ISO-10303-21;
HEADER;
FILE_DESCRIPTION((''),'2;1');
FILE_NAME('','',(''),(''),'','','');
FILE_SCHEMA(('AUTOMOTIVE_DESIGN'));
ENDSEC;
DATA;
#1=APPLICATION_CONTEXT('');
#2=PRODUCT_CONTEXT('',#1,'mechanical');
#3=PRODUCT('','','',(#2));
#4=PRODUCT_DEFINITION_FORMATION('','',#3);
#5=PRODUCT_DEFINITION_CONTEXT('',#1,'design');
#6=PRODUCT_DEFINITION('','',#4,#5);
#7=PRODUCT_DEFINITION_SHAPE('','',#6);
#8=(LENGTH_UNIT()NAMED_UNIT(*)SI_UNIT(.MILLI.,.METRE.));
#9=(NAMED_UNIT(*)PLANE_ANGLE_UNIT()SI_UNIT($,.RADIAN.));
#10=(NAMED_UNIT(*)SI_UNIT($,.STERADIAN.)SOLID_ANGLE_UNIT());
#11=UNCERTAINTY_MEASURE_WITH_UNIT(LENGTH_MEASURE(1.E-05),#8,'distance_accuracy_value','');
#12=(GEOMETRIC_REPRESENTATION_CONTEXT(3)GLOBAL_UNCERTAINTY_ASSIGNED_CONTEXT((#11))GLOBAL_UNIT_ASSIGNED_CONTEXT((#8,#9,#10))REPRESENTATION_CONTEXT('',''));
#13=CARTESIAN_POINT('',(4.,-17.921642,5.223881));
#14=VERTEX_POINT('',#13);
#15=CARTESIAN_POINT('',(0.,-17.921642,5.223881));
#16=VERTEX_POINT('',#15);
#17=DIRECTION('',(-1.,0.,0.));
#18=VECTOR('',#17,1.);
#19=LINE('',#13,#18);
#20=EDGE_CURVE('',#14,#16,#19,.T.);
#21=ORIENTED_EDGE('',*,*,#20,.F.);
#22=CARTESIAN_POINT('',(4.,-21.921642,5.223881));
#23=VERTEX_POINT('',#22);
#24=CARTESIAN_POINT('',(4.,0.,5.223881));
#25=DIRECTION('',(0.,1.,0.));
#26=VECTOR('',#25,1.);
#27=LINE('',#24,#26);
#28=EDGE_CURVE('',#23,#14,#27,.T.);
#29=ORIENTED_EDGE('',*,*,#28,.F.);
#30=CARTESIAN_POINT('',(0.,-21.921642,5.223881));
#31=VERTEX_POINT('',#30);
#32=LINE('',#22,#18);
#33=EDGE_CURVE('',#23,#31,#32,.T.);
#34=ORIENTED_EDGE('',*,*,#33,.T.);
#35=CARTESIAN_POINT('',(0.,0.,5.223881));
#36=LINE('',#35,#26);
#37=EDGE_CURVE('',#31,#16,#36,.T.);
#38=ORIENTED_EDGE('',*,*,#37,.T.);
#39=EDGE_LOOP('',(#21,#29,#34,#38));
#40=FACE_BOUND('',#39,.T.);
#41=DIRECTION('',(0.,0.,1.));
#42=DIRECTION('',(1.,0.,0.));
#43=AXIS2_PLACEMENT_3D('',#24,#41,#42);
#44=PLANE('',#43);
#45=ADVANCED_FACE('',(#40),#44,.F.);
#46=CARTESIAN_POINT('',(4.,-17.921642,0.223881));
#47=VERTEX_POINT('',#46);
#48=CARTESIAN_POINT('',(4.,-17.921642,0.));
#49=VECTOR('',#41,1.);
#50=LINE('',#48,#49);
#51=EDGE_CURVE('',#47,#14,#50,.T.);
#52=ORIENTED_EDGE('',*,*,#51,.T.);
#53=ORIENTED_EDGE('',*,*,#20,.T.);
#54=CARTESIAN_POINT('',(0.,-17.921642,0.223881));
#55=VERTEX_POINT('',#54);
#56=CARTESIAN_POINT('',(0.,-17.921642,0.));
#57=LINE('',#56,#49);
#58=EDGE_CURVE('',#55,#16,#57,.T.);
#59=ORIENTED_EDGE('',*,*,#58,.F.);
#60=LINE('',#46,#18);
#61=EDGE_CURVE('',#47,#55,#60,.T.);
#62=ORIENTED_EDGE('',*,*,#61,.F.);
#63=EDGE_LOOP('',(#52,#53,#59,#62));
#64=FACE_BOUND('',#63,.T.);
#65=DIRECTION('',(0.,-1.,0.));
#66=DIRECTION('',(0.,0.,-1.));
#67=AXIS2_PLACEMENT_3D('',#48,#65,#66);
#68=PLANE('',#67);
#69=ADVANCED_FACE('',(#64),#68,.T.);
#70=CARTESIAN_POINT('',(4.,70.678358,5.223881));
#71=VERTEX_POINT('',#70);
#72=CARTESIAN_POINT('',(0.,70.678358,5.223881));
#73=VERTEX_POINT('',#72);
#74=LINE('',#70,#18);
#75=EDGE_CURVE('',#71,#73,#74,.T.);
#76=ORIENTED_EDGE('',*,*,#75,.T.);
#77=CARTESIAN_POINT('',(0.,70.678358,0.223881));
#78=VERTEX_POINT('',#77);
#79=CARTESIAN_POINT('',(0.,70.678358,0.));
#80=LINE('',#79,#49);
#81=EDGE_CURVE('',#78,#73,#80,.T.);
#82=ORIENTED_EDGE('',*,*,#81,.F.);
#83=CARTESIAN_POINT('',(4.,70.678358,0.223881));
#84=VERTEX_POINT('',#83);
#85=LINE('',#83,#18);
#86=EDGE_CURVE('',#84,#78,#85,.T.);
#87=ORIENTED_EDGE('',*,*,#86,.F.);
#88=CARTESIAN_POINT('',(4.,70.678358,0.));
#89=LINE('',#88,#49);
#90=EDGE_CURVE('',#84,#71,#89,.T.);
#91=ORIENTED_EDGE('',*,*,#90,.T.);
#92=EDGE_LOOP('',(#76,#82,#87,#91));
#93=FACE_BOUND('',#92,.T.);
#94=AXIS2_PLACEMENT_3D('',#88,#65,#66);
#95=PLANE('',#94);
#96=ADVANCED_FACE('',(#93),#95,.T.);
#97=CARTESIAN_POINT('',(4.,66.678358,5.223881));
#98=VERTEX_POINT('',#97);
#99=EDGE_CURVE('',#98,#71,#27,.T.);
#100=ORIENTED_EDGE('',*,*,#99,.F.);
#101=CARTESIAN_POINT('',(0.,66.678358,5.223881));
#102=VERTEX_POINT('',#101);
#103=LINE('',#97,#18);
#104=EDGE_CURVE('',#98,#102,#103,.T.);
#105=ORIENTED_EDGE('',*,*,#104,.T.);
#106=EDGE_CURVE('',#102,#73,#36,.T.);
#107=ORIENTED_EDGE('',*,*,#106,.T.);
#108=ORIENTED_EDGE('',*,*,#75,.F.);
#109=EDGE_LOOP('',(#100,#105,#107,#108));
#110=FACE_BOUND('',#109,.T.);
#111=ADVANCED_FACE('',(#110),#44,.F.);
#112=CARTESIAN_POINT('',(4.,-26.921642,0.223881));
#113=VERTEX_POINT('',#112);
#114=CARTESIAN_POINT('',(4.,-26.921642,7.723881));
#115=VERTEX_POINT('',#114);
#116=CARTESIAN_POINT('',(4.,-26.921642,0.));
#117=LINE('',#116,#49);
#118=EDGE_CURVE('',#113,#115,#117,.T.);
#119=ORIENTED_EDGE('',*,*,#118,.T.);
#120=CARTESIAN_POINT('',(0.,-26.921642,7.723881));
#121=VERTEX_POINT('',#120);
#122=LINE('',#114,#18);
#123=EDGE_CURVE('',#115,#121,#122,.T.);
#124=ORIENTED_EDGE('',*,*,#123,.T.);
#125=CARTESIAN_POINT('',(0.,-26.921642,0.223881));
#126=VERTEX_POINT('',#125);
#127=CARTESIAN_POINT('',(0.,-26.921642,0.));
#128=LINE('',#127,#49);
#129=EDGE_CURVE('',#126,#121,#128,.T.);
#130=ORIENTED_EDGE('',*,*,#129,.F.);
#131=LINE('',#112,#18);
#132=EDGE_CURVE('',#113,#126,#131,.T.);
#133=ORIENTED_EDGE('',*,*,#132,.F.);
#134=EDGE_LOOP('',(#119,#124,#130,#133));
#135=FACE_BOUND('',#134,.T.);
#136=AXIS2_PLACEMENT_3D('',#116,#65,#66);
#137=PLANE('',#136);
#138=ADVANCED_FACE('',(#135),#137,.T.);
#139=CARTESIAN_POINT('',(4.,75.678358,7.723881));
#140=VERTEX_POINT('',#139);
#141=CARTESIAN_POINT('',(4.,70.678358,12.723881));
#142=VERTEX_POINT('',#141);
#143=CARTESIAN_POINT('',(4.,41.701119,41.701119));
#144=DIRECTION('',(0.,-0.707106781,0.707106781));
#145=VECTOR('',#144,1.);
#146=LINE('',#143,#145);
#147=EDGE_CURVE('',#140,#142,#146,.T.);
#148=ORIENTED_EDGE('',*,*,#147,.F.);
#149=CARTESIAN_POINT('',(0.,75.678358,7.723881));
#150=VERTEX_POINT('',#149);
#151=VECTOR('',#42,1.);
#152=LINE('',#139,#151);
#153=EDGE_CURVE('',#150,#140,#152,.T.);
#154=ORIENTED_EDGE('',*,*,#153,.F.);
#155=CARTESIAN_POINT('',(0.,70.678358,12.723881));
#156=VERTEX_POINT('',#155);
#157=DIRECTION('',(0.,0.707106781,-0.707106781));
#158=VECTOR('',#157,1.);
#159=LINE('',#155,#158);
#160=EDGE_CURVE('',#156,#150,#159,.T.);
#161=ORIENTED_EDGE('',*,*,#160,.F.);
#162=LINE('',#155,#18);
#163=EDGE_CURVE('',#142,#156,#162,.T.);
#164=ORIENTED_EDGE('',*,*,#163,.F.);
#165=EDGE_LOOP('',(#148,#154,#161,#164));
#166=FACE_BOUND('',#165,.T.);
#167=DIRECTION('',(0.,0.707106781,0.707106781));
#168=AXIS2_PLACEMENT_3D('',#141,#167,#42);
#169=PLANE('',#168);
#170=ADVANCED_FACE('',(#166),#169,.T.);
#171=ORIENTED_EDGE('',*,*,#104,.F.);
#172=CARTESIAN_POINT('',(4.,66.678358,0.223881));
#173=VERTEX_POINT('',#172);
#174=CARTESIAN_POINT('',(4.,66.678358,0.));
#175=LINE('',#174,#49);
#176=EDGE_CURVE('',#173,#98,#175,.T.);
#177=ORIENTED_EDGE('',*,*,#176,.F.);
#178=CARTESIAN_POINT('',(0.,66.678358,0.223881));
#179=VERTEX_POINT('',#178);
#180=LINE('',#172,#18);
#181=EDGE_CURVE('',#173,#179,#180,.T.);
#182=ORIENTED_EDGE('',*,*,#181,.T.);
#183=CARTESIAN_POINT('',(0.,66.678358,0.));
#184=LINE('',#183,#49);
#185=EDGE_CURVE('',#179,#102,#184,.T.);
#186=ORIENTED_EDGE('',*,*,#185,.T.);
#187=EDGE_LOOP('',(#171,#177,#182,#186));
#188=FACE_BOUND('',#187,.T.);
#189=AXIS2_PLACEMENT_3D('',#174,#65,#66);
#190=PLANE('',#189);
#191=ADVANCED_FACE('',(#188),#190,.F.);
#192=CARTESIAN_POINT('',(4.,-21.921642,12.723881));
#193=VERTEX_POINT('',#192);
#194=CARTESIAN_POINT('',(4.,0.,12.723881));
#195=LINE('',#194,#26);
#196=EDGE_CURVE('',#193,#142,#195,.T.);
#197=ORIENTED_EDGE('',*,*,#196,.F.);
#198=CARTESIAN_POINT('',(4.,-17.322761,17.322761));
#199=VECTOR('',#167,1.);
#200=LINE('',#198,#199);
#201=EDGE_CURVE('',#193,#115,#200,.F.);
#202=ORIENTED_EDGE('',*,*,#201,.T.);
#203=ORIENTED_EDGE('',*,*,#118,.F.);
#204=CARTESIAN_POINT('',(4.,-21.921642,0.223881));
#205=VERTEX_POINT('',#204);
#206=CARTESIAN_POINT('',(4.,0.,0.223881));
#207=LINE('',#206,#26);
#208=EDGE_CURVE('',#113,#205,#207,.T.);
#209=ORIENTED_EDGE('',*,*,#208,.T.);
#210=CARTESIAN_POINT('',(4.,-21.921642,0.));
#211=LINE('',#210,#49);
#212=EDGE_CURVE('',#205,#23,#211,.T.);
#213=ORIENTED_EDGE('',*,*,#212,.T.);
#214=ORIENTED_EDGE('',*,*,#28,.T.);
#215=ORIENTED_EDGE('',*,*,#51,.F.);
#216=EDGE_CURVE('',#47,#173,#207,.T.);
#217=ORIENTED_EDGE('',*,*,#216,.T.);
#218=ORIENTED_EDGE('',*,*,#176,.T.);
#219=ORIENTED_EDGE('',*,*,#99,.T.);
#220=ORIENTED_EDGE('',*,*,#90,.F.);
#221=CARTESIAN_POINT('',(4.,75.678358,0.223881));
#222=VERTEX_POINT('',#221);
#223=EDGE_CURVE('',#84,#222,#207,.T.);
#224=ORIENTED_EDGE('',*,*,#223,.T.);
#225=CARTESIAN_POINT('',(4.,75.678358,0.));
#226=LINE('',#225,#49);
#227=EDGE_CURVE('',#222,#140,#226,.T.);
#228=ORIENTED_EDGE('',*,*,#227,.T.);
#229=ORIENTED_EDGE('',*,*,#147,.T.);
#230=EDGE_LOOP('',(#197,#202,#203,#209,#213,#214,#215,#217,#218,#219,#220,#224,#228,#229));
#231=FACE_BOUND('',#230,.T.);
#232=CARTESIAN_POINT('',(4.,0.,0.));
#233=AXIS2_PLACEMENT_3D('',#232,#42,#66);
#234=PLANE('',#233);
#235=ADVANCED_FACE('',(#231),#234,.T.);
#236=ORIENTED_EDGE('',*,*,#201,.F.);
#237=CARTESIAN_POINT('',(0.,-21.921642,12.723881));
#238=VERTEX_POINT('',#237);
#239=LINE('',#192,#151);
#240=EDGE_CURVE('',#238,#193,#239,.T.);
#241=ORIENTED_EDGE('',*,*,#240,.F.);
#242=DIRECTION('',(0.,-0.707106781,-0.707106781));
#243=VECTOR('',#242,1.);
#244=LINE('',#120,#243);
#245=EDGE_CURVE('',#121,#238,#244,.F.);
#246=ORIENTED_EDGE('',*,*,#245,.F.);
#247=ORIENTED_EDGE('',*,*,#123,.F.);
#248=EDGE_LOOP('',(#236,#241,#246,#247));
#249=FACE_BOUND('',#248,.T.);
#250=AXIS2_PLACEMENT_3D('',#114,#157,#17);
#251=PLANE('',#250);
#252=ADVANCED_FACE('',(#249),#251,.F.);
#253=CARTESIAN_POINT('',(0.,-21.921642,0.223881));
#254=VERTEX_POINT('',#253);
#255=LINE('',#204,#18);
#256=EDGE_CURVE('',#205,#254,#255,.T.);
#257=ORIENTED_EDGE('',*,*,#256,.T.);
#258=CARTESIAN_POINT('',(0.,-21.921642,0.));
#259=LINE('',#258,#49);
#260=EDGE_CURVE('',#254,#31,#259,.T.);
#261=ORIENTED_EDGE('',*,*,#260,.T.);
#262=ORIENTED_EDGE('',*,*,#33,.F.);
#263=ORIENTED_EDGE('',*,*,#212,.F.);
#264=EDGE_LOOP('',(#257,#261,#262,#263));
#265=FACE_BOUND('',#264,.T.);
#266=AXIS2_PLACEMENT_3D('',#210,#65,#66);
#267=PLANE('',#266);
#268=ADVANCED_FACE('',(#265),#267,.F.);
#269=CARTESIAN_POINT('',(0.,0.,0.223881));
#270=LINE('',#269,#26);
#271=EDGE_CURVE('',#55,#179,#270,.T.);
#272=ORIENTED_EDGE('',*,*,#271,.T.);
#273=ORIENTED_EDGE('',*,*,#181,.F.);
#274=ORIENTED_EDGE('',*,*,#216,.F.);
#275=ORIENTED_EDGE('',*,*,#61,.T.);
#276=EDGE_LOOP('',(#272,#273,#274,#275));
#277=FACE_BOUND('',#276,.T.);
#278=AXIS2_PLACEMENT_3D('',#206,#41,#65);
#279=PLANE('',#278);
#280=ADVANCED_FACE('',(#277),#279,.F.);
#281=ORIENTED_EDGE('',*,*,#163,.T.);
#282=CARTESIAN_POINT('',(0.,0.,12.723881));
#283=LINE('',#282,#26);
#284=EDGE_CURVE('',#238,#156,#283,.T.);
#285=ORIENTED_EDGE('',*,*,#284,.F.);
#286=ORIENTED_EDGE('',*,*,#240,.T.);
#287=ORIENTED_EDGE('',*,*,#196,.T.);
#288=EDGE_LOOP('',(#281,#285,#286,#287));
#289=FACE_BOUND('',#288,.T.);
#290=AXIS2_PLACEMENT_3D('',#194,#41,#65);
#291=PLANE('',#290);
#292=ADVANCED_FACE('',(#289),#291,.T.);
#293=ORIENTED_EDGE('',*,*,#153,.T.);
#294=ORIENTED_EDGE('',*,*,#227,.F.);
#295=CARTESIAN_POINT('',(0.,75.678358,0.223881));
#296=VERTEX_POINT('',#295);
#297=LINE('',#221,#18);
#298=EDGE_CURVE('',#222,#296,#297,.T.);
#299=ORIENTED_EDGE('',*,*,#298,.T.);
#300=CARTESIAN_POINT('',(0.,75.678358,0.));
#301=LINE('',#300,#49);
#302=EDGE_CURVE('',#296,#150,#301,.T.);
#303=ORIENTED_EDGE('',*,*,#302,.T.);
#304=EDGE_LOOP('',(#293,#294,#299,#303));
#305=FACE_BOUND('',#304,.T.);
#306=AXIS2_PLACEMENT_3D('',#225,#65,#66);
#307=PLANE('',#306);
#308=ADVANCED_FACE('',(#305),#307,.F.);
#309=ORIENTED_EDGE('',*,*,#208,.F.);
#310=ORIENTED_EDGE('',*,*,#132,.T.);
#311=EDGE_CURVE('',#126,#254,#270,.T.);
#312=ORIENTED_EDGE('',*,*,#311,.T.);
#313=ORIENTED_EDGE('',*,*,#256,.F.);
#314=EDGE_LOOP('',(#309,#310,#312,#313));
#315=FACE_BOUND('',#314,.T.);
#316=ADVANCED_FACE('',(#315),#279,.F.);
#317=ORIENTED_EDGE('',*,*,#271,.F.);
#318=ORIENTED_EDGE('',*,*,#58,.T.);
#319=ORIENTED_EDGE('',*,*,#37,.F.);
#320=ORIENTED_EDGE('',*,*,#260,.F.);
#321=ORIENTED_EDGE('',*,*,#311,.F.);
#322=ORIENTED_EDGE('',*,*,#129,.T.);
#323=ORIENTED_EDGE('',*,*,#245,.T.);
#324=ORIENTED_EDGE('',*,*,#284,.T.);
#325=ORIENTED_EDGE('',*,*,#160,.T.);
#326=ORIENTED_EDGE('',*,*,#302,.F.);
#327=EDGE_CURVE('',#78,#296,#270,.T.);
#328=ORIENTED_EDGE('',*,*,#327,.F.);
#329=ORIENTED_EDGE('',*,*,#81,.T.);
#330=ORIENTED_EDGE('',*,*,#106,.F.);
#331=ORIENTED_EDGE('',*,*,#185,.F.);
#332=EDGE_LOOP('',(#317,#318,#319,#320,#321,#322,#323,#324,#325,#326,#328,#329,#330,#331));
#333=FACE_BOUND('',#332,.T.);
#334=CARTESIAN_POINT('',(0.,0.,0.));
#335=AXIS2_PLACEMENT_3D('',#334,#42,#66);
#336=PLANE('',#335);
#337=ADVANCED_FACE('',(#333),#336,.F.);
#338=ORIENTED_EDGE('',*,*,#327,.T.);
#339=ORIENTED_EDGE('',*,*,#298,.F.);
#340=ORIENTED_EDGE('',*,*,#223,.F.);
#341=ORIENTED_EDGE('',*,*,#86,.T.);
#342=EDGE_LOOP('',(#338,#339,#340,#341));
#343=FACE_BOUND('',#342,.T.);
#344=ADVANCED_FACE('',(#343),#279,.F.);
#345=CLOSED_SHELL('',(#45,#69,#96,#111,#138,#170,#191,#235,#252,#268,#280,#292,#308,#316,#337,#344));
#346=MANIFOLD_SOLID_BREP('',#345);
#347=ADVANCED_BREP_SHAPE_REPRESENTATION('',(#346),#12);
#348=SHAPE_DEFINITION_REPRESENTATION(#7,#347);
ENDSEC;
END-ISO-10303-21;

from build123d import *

# Parameters (mm, degrees)
SKETCH1_W           = 42.3
SKETCH1_H           = 5
BOSS_EXTRUDE1_DEPTH = 4
CHAMFER1_SIZE       = 5


with BuildPart() as part:
    # Sketch1 → Boss-Extrude1 (new body)
    with BuildSketch(Plane.YZ):
        Polygon((-21.921641791, 5.223880597), (-17.921641791, 5.223880597), (24.378358209, 5.223880597), (66.678358209, 5.223880597), (70.678358209, 5.223880597), (70.678358209, 0.223880597), (75.678358209, 0.223880597), (75.678358209, 12.723880597), (-26.921641791, 12.723880597), (-26.921641791, 0.223880597), (-21.921641791, 0.223880597), align=None)
        with Locations((3.228358209, 2.723880597)):
            Rectangle(SKETCH1_W, SKETCH1_H)
        with Locations((45.528358209, 2.723880597)):
            Rectangle(SKETCH1_W, SKETCH1_H)
    extrude(amount=BOSS_EXTRUDE1_DEPTH)

    # Chamfer1
    chamfer1_edges = [part.edges().sort_by_distance(p)[0] for p in [
        (2, -26.921641791, 12.723880597),
        (2, 75.678358209, 12.723880597),
    ]]
    chamfer(chamfer1_edges, length=CHAMFER1_SIZE)


solid = part.part
